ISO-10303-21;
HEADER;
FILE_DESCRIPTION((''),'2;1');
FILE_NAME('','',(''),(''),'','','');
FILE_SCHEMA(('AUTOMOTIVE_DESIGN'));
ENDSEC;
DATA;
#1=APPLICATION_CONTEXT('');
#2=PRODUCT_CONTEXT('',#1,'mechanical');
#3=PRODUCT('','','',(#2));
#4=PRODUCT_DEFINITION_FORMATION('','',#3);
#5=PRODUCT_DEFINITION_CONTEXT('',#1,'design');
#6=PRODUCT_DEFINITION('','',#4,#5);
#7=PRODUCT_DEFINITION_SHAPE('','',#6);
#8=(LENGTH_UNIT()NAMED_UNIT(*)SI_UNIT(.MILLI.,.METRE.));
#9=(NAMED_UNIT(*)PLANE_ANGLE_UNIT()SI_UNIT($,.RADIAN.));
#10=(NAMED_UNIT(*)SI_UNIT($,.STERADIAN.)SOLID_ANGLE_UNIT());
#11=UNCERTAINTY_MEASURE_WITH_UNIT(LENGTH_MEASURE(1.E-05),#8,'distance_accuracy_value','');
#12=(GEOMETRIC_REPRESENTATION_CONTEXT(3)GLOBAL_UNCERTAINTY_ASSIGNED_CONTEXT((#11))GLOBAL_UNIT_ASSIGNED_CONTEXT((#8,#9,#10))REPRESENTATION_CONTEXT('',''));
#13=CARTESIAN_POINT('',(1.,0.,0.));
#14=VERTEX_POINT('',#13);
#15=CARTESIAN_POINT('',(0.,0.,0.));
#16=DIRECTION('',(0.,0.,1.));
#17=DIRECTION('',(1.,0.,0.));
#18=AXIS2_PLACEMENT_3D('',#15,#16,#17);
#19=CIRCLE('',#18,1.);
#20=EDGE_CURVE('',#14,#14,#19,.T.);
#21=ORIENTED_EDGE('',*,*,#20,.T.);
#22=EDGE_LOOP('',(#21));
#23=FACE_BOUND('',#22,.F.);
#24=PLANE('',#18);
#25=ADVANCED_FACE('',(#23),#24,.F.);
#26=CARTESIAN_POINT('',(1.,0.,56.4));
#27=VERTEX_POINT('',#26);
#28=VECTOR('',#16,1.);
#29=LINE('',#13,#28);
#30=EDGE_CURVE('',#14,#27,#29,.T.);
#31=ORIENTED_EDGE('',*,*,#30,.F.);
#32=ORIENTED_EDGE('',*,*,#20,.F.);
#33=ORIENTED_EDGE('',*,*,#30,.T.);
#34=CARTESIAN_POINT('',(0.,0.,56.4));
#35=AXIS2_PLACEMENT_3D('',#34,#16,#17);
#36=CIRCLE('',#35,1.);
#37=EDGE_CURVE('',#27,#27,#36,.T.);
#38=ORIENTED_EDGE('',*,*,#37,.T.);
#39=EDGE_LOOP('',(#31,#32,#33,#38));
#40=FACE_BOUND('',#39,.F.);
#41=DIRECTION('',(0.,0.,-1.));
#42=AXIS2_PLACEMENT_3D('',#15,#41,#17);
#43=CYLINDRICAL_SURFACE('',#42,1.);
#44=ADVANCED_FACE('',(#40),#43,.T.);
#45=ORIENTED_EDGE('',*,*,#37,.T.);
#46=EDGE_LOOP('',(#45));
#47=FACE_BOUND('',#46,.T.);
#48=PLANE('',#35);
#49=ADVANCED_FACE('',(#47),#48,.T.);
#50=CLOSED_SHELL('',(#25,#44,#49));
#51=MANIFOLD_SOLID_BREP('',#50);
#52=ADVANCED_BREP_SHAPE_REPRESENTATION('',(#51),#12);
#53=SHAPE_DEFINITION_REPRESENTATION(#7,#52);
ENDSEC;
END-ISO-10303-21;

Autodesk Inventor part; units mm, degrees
ref_plane "YZ Plane" through (0, 0, 0) normal (1, 0, 0) x (0, 1, 0)
ref_plane "XZ Plane" through (0, 0, 0) normal (0, 1, 0) x (-1, 0, 0)
ref_plane "XY Plane" through (0, 0, 0) normal (0, 0, 1) x (1, 0, 0)
sketch "スケッチ1" plane through (0, 0, 0) normal (0, 0, 1) x (1, 0, 0)
  circle A0 centre (0, 0) radius 1
  dimension "d0" = 2
extrude "押し出し1" add sketch "スケッチ1" along normal blind 56.4
properties part number "om_Drop_shaft_10g" material "CFRP"
